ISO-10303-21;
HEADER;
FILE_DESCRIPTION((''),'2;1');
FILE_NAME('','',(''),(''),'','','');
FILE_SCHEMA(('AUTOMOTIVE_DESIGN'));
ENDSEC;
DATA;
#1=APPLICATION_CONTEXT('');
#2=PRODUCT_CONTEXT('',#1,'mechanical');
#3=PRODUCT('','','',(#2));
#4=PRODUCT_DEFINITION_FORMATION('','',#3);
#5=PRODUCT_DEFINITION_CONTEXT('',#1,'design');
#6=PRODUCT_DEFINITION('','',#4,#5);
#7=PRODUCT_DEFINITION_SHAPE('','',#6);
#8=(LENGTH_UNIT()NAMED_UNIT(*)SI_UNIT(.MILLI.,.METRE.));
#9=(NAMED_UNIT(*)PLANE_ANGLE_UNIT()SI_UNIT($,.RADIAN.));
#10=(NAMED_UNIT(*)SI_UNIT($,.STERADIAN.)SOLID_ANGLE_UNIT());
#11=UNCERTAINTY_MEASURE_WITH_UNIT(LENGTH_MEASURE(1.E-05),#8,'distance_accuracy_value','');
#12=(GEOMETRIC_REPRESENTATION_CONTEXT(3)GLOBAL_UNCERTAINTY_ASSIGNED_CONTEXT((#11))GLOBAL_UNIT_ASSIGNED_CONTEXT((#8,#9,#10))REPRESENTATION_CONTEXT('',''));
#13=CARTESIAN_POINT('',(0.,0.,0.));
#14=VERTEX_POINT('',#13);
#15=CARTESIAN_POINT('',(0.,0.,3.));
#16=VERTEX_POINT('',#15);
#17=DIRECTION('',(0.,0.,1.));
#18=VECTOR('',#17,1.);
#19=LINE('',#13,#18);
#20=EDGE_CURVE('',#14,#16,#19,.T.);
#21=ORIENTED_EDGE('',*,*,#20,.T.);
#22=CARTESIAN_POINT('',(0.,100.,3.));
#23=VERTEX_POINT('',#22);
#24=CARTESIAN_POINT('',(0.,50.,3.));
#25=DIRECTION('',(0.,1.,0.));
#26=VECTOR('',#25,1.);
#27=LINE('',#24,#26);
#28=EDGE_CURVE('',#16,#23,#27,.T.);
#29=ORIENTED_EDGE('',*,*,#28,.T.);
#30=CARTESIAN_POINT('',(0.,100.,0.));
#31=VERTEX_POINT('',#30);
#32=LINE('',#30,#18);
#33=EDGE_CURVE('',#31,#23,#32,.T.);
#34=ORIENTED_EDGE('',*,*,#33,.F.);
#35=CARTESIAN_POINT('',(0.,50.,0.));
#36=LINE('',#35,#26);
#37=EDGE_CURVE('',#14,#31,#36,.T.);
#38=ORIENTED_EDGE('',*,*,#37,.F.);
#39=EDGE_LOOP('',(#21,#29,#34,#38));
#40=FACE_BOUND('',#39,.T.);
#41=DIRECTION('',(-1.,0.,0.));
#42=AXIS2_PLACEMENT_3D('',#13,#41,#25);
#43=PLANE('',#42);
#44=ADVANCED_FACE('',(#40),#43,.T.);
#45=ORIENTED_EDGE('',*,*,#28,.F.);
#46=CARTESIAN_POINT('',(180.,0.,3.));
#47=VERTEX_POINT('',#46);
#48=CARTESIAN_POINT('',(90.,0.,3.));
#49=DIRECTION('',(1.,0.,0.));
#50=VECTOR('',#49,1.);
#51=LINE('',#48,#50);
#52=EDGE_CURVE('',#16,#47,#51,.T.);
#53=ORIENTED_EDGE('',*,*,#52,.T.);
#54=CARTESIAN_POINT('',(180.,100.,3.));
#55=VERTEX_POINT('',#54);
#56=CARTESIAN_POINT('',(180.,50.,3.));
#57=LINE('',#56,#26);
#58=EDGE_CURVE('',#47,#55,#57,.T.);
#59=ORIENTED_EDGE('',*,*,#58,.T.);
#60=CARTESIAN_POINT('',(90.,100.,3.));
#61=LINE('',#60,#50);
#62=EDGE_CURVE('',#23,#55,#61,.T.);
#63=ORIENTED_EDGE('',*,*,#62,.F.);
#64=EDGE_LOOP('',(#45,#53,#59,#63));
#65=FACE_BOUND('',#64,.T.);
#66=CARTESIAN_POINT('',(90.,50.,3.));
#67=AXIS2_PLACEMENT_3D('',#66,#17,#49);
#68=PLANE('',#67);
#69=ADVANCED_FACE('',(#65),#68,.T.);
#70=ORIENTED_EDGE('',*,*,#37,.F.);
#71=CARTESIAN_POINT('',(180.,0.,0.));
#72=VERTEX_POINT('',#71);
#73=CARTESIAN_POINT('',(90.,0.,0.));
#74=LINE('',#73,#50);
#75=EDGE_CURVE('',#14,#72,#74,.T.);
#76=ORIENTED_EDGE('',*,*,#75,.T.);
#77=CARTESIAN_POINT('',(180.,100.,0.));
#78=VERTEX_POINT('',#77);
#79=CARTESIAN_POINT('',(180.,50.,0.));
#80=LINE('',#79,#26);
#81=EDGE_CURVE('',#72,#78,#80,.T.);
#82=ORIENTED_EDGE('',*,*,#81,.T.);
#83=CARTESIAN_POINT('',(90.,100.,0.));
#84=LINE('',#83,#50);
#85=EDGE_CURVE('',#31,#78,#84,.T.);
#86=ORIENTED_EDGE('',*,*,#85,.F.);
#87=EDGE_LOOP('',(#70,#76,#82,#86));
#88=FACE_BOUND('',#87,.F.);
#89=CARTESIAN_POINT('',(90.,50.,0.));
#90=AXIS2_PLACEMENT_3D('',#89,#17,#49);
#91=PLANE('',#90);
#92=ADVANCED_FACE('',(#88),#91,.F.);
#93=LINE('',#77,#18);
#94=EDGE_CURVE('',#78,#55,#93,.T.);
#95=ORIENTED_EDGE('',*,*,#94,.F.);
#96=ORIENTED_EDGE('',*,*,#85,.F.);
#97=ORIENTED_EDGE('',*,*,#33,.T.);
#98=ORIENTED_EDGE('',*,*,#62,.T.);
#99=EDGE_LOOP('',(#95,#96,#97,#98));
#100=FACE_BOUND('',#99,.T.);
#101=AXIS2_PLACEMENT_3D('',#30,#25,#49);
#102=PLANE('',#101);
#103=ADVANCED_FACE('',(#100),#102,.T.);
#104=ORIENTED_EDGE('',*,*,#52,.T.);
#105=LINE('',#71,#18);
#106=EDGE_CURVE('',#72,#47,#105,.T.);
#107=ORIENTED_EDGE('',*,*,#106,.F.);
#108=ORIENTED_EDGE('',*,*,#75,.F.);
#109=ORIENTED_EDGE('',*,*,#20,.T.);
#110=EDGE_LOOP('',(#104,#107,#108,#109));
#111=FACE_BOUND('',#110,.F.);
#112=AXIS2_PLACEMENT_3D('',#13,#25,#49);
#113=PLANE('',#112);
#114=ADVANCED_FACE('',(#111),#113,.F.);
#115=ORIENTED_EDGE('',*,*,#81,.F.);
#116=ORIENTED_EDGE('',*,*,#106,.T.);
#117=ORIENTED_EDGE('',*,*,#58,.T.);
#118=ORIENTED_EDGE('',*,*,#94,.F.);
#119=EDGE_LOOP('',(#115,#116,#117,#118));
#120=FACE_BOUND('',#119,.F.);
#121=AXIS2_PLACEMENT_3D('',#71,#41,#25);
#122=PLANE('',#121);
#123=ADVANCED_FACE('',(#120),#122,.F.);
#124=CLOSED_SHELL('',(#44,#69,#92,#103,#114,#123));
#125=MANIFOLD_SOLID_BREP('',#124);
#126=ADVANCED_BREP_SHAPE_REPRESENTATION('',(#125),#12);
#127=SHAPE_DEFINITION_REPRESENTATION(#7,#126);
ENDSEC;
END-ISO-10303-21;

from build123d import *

# Parameters (mm, degrees)
CROQUIS1_W              = 180
CROQUIS1_H              = 100
SALIENTE_EXTRUIR1_DEPTH = 3


with BuildPart() as part:
    # Croquis1 → Saliente-Extruir1 (new body)
    with BuildSketch(Plane.XY):
        with Locations((90, 50)):
            Rectangle(CROQUIS1_W, CROQUIS1_H)
    extrude(amount=SALIENTE_EXTRUIR1_DEPTH)


solid = part.part
